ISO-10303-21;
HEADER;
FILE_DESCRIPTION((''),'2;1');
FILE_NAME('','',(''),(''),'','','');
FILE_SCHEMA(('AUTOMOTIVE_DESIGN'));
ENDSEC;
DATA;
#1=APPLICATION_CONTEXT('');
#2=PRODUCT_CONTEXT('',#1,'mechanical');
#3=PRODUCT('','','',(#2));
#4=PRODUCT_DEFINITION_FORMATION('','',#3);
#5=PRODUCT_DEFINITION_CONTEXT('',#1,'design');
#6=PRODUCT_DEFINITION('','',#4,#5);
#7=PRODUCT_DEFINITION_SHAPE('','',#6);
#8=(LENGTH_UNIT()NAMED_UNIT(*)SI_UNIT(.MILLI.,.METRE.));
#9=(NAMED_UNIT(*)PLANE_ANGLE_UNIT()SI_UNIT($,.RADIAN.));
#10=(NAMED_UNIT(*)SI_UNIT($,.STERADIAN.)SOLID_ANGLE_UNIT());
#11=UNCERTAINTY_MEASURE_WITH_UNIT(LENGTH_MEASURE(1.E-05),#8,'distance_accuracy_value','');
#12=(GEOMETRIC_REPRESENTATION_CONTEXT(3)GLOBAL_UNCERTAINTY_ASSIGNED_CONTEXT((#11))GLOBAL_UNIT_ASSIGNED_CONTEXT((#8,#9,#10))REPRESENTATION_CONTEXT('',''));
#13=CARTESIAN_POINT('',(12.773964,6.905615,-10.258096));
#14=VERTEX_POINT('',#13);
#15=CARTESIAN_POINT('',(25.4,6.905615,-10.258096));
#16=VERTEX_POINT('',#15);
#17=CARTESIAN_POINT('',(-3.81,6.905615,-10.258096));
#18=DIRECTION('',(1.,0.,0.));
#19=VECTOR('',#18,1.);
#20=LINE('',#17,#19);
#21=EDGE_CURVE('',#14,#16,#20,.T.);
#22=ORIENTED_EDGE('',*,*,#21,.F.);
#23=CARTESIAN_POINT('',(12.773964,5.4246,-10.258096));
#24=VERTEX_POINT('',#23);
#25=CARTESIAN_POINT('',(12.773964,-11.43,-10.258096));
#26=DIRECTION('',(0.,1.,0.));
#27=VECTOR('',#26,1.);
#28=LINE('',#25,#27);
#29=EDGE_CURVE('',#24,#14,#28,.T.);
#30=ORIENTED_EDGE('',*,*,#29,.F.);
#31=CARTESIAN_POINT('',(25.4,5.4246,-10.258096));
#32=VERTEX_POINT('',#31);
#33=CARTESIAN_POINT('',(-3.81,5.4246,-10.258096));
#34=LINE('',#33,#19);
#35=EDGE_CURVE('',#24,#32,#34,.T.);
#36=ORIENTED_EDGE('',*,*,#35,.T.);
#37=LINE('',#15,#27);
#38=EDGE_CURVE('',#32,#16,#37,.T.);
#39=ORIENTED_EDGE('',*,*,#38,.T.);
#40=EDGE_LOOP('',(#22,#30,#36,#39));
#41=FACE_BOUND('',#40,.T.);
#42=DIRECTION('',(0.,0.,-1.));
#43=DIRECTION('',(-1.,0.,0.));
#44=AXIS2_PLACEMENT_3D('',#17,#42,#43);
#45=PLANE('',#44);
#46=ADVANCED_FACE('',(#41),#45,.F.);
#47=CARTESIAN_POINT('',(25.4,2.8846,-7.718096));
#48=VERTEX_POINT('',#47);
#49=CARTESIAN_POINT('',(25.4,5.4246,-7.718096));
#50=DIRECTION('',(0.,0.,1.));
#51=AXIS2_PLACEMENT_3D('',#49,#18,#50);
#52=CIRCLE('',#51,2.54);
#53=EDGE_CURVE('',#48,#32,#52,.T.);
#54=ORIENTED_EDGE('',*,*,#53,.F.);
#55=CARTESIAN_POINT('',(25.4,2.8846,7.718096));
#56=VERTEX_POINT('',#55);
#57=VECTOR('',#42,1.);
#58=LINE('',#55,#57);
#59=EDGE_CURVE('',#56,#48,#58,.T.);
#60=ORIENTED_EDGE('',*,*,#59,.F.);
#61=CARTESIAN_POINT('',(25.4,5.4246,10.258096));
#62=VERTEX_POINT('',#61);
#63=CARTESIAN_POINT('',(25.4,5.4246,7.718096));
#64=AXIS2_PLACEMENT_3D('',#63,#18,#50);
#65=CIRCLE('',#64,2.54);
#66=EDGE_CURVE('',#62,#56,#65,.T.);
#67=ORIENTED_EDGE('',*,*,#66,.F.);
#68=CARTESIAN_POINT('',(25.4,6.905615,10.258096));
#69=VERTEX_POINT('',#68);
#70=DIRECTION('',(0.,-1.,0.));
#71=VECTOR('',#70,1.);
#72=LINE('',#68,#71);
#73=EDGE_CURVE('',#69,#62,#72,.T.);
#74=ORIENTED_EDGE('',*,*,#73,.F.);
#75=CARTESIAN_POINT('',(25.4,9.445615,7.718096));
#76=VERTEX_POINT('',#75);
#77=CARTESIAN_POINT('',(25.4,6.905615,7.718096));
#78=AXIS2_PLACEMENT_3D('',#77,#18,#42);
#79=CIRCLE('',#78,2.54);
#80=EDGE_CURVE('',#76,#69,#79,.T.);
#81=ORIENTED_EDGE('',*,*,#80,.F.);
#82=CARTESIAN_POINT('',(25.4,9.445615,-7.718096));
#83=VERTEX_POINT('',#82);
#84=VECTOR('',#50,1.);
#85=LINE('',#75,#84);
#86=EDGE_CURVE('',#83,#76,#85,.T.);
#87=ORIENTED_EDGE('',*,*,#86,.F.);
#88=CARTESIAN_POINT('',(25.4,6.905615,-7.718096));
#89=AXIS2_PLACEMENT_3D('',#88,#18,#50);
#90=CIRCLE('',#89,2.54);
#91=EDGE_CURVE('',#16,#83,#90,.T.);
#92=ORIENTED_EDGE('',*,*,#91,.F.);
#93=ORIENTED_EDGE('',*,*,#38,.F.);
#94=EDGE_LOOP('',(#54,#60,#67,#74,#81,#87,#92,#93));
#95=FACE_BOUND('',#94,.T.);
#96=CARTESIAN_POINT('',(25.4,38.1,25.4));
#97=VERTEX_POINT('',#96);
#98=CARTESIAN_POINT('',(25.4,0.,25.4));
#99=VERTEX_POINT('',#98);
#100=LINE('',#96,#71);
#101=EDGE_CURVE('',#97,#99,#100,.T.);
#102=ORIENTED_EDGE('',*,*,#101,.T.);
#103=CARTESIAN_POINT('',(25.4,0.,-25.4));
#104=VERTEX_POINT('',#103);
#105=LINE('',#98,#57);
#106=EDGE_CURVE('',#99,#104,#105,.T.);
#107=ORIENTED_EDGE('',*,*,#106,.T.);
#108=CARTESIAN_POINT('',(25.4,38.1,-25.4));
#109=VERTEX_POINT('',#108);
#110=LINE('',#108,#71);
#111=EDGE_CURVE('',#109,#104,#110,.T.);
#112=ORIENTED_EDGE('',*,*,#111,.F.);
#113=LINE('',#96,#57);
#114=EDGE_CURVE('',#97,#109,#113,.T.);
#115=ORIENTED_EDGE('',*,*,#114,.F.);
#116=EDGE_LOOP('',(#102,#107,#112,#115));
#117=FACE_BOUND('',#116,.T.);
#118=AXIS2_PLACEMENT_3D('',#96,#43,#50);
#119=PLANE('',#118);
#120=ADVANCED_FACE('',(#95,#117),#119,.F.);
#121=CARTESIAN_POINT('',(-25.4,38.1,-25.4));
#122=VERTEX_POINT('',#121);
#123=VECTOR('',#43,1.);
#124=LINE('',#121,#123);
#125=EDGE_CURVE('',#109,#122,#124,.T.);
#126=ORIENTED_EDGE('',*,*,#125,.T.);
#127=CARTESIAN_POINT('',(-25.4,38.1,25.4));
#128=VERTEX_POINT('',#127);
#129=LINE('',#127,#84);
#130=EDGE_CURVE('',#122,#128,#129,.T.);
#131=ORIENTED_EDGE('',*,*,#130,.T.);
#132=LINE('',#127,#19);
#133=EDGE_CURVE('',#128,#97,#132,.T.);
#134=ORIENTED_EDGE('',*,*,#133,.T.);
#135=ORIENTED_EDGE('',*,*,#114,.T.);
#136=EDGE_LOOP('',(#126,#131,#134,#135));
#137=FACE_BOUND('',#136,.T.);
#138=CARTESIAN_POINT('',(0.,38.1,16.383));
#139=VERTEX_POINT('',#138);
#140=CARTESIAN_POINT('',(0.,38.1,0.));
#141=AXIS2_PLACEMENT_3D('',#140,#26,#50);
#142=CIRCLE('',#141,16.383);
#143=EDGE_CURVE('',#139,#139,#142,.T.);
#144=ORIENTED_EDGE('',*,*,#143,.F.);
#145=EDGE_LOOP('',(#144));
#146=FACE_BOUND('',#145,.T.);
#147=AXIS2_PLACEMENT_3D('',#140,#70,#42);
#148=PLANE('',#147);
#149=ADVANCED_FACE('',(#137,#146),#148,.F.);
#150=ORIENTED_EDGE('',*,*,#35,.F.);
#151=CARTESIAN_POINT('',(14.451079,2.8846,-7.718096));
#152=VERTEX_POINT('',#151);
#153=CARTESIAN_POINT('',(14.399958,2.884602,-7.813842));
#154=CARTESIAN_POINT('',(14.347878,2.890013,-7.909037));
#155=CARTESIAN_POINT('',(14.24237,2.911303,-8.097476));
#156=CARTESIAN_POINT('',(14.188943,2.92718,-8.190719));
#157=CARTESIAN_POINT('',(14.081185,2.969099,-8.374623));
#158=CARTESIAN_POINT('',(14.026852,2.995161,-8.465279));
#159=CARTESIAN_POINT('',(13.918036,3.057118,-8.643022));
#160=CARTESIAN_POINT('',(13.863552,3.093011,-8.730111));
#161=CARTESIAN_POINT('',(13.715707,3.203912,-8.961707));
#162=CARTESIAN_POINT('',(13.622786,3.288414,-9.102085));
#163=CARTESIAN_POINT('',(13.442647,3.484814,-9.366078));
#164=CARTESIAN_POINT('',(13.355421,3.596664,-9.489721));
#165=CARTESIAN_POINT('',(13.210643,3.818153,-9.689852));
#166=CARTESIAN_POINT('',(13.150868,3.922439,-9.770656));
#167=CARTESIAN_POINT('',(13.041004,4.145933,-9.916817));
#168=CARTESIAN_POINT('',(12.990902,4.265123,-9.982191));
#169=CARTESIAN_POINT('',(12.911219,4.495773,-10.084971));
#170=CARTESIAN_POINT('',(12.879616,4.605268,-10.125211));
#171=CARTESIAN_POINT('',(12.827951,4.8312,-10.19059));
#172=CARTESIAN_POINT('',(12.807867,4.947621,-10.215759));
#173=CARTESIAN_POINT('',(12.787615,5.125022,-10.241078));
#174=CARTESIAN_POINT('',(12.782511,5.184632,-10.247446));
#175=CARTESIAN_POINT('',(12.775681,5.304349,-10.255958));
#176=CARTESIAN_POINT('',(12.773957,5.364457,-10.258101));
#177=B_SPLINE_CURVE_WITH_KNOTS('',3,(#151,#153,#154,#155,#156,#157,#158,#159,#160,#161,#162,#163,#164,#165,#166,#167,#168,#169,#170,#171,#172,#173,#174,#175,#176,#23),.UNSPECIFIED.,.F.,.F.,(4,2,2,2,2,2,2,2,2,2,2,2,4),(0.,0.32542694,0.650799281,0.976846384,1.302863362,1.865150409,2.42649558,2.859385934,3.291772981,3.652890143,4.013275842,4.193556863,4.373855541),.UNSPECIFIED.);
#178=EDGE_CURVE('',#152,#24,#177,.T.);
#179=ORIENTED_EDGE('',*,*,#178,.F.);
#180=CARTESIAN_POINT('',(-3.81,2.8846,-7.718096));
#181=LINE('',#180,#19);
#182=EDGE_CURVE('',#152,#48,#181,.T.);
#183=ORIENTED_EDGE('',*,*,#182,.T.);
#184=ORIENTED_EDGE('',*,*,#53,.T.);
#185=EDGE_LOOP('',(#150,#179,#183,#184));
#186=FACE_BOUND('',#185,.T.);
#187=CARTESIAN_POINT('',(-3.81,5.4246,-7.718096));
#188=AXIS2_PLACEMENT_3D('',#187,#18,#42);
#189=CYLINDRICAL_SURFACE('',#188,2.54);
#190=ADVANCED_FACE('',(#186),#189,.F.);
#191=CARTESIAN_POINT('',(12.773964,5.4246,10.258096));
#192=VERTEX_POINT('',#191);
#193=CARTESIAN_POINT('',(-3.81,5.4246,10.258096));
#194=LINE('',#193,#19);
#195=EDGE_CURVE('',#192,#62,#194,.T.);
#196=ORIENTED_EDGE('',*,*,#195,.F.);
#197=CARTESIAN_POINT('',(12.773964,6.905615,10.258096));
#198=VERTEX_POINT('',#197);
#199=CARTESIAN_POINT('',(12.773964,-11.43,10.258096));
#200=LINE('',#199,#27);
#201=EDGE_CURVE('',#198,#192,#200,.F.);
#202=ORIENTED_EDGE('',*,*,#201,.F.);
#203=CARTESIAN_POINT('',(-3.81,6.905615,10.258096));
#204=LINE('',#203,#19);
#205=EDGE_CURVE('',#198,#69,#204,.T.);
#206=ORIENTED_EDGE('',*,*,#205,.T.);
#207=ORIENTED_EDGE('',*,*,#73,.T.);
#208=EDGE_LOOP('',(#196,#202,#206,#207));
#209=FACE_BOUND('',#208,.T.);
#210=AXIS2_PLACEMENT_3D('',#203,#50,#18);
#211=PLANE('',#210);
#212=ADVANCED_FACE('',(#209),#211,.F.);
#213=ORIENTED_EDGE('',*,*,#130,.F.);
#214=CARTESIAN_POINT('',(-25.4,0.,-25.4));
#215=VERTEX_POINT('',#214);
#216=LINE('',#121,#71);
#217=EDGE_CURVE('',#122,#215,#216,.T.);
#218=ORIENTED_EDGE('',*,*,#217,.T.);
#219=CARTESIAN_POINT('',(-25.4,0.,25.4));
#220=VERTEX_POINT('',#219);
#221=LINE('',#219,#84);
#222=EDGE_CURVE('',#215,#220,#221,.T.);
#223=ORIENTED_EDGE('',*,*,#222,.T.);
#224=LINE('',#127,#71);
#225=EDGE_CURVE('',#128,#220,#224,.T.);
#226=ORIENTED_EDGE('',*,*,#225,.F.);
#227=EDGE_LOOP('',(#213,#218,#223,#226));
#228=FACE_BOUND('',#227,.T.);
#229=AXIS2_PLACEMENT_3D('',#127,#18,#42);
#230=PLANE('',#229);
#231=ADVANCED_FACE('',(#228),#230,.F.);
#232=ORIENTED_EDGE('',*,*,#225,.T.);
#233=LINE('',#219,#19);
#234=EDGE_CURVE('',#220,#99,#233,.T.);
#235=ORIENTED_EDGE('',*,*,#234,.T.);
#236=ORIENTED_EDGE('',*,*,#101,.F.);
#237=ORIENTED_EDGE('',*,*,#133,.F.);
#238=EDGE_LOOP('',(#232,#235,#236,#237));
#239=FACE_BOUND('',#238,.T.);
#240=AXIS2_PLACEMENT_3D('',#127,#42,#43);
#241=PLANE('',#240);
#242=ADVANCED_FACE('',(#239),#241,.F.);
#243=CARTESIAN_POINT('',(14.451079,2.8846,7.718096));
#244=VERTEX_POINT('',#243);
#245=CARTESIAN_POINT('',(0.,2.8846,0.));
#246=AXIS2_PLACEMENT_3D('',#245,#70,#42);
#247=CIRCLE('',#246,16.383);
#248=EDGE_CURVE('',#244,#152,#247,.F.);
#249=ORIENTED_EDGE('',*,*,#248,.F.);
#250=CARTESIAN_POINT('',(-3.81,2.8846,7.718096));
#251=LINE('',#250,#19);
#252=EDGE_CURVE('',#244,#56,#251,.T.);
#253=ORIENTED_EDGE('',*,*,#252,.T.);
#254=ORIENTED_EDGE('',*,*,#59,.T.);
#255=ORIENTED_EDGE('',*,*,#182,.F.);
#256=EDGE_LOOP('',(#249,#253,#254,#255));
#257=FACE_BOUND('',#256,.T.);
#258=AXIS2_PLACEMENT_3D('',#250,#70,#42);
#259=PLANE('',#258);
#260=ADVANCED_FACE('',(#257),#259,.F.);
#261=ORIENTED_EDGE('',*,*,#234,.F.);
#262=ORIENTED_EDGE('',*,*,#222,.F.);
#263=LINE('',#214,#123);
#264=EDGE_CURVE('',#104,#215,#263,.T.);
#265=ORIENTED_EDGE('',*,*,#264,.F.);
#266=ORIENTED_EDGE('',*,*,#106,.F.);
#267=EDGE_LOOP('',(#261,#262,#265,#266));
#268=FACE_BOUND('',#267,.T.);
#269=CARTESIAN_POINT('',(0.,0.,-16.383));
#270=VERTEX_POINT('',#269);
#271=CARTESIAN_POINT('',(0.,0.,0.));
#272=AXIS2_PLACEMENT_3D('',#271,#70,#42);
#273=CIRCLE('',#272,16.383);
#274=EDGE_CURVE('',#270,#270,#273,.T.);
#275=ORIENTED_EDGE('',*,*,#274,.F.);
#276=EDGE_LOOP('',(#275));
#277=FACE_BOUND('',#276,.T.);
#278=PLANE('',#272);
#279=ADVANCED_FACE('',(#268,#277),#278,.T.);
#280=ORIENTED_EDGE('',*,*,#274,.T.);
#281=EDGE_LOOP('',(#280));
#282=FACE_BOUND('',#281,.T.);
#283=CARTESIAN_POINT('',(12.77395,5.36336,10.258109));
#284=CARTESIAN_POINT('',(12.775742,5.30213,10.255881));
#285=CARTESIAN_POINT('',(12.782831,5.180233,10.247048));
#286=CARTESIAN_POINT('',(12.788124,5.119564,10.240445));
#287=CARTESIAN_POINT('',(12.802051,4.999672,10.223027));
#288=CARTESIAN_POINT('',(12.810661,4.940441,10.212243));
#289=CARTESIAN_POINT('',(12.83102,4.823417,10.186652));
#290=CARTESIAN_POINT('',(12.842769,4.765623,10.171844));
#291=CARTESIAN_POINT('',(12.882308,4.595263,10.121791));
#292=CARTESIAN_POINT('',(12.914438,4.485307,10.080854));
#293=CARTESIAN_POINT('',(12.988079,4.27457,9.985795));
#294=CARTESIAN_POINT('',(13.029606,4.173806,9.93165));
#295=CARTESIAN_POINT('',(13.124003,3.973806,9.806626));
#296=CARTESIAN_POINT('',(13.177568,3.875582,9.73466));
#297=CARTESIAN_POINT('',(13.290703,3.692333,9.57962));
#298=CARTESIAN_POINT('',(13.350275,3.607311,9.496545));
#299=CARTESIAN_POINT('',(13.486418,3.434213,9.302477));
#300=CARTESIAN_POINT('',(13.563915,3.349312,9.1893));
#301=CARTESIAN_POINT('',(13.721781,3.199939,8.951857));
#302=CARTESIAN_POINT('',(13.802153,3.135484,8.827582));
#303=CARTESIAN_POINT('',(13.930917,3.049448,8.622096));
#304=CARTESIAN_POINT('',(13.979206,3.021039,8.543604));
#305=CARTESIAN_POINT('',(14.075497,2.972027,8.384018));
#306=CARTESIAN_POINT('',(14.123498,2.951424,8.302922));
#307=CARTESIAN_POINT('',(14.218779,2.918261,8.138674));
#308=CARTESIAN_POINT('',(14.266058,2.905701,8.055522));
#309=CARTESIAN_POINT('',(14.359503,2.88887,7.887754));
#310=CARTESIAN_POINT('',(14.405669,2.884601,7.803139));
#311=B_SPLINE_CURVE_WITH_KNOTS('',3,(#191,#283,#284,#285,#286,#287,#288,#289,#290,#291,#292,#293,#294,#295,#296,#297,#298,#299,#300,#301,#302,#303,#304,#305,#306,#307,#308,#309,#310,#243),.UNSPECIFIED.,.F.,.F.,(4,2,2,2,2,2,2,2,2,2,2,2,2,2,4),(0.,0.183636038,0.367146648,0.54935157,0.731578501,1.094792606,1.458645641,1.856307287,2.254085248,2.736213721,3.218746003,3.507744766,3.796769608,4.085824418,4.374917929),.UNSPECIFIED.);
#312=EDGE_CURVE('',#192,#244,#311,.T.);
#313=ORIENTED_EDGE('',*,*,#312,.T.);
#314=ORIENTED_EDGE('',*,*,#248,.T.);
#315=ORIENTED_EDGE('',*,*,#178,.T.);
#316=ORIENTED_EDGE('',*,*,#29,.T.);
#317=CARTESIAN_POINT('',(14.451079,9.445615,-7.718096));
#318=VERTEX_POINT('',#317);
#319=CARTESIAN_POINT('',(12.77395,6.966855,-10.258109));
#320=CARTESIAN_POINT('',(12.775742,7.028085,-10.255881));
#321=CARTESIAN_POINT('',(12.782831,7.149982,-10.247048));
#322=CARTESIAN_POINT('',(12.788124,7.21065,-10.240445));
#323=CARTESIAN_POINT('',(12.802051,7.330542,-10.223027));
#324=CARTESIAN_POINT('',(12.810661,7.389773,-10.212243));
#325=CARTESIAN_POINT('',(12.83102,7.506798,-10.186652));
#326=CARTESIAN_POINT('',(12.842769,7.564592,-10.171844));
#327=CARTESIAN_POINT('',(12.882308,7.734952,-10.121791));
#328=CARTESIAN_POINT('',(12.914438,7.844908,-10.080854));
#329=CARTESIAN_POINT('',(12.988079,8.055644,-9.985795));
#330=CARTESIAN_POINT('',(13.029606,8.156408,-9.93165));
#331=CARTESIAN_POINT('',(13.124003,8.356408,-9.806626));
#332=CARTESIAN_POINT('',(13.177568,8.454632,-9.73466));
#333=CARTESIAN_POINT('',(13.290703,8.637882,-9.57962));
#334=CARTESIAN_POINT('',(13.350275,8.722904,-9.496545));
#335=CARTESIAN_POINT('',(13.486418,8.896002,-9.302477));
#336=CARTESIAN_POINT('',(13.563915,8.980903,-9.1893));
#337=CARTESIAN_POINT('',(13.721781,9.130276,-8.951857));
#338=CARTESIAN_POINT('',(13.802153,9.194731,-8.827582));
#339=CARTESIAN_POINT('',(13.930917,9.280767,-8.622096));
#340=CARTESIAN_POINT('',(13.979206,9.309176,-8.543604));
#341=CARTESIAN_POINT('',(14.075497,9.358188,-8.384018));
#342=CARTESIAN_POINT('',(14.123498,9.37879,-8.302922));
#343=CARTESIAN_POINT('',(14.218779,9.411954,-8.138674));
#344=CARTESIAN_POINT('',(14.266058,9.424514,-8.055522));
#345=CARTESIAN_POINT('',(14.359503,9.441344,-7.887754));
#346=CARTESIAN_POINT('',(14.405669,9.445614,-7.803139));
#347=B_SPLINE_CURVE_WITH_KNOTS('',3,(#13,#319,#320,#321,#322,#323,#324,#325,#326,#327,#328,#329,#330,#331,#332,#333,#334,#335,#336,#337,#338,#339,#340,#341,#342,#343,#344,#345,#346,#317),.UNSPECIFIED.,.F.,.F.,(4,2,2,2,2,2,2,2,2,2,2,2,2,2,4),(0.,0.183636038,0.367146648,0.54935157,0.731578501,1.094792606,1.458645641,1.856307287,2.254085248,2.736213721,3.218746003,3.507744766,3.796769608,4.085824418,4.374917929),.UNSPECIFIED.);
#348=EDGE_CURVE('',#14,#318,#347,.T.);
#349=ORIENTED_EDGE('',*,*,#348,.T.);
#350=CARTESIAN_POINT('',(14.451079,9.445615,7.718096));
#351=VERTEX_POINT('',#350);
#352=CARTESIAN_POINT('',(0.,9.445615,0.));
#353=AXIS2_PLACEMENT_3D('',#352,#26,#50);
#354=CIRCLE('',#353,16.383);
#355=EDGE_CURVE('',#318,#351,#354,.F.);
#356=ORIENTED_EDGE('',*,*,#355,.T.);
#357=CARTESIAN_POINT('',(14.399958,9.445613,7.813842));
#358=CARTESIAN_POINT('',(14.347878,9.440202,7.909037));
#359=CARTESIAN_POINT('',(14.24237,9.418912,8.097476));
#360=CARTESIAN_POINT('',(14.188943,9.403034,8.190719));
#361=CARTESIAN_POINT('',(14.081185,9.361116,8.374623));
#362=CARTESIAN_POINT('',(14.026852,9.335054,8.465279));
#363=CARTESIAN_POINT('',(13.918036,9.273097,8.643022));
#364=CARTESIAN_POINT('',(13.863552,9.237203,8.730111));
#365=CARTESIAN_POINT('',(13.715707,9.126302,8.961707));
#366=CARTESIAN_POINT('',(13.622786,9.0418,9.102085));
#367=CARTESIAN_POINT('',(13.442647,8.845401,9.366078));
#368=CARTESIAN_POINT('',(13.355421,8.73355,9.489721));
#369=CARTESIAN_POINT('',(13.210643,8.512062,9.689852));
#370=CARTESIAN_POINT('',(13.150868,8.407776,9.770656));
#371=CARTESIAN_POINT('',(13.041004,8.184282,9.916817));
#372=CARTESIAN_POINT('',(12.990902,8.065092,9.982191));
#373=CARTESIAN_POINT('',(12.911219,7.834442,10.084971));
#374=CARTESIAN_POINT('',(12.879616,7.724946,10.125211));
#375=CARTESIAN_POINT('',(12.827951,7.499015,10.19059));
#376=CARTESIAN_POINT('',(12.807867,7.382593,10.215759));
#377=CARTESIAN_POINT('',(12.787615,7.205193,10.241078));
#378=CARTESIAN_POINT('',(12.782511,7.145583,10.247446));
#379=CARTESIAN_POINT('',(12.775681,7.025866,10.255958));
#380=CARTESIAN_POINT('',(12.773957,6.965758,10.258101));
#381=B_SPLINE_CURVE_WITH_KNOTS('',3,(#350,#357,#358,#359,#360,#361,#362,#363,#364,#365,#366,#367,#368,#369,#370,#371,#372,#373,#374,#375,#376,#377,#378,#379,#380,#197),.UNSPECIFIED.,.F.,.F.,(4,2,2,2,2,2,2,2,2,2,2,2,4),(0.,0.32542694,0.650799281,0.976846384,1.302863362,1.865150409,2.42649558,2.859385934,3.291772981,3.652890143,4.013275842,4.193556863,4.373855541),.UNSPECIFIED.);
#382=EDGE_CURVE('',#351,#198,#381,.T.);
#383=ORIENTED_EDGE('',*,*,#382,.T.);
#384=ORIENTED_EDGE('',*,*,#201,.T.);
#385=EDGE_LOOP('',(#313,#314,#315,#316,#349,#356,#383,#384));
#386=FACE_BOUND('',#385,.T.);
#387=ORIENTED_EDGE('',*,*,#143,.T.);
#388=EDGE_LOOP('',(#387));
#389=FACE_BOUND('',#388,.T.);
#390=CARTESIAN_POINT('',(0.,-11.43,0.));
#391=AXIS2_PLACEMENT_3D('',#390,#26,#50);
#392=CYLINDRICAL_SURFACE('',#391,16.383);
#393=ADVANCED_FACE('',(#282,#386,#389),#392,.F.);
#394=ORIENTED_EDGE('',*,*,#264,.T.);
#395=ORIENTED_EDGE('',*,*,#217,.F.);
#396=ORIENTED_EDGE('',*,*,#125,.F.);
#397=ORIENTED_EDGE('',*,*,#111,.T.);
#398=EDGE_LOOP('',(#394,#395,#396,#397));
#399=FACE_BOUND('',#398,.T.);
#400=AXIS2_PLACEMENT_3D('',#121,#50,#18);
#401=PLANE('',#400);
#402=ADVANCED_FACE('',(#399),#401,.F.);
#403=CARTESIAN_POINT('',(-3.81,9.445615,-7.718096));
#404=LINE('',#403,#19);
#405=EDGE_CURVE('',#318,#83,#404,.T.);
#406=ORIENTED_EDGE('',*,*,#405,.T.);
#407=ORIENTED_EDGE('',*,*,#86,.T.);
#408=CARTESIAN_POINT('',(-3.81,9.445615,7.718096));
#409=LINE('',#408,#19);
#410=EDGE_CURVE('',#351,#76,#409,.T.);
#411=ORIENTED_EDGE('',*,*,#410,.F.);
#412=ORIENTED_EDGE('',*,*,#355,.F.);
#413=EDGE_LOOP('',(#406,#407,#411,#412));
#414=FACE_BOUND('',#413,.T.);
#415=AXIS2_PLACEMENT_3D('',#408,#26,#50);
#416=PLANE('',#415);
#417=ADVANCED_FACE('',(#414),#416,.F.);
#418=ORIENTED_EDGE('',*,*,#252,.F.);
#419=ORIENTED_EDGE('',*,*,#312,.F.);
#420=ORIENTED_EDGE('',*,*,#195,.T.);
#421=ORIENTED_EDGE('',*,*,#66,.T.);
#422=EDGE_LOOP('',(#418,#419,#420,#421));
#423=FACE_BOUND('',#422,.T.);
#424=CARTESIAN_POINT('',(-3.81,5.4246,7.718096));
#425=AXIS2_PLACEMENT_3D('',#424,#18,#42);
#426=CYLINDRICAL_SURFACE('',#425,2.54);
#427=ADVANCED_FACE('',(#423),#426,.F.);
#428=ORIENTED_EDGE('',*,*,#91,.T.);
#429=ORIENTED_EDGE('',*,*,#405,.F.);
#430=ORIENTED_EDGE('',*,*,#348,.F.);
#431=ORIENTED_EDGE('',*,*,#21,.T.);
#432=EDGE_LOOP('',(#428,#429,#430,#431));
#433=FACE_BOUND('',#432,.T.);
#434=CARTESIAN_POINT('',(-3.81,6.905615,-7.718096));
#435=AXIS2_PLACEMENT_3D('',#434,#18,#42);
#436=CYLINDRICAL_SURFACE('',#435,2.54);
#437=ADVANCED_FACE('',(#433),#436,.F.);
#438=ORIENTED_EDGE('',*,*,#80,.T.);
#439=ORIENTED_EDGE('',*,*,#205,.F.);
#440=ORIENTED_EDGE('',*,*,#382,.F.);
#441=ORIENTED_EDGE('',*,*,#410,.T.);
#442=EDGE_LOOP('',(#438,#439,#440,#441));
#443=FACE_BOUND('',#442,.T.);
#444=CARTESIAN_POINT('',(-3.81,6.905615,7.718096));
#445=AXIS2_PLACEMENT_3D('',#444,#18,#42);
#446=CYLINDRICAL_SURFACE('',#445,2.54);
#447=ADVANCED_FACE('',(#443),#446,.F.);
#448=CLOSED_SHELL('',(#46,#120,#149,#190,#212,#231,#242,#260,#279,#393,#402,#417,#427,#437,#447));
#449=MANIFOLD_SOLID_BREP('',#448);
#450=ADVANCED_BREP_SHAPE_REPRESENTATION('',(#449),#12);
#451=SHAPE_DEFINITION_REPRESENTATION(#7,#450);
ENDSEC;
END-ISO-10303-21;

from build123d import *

# Parameters (mm, degrees)
SKETCH1_W           = 50.8
SKETCH1_H           = 50.8
BOSS_EXTRUDE1_DEPTH = 38.1
SKETCH2_R           = 16.383
CUT_EXTRUDE1_DEPTH  = 49.53
CUT_EXTRUDE2_DEPTH  = 29.21


with BuildPart() as part:
    # Sketch1 → Boss-Extrude1 (new body)
    with BuildSketch(Plane(origin=(0, 0, 0), x_dir=(1, 0, 0), z_dir=(0, 1, 0))):
        Rectangle(SKETCH1_W, SKETCH1_H)
    extrude(amount=BOSS_EXTRUDE1_DEPTH)

    # Sketch2 → Cut-Extrude1 (cut)
    with BuildSketch(Plane(origin=(0, 38.1, 0), x_dir=(1, 0, 0), z_dir=(0, 1, 0))):
        with Locations(Location((0, 0, 0), (0, 0, 270))):
            Circle(SKETCH2_R)
    extrude(amount=-CUT_EXTRUDE1_DEPTH, mode=Mode.SUBTRACT)

    # Sketch3 → Cut-Extrude2 (cut)
    with BuildSketch(Plane(origin=(25.4, 0, 0), x_dir=(0, 0, -1), z_dir=(1, 0, 0))):
        with BuildLine():
            Line((-7.718095527, 9.445615075), (7.718095527, 9.445615075))
            ThreePointArc((7.718095527, 9.445615075), (9.514146751, 8.701666299), (10.258095527, 6.905615075))
            Line((10.258095527, 6.905615075), (10.258095527, 5.424599661))
            ThreePointArc((10.258095527, 5.424599661), (9.514146751, 3.628548437), (7.718095527, 2.884599661))
            Line((7.718095527, 2.884599661), (-7.718095527, 2.884599661))
            ThreePointArc((-7.718095527, 2.884599661), (-9.514146751, 3.628548437), (-10.258095527, 5.424599661))
            Line((-10.258095527, 5.424599661), (-10.258095527, 6.905615075))
            ThreePointArc((-10.258095527, 6.905615075), (-9.514146751, 8.701666299), (-7.718095527, 9.445615075))
        make_face()
    extrude(amount=-CUT_EXTRUDE2_DEPTH, mode=Mode.SUBTRACT)


solid = part.part
